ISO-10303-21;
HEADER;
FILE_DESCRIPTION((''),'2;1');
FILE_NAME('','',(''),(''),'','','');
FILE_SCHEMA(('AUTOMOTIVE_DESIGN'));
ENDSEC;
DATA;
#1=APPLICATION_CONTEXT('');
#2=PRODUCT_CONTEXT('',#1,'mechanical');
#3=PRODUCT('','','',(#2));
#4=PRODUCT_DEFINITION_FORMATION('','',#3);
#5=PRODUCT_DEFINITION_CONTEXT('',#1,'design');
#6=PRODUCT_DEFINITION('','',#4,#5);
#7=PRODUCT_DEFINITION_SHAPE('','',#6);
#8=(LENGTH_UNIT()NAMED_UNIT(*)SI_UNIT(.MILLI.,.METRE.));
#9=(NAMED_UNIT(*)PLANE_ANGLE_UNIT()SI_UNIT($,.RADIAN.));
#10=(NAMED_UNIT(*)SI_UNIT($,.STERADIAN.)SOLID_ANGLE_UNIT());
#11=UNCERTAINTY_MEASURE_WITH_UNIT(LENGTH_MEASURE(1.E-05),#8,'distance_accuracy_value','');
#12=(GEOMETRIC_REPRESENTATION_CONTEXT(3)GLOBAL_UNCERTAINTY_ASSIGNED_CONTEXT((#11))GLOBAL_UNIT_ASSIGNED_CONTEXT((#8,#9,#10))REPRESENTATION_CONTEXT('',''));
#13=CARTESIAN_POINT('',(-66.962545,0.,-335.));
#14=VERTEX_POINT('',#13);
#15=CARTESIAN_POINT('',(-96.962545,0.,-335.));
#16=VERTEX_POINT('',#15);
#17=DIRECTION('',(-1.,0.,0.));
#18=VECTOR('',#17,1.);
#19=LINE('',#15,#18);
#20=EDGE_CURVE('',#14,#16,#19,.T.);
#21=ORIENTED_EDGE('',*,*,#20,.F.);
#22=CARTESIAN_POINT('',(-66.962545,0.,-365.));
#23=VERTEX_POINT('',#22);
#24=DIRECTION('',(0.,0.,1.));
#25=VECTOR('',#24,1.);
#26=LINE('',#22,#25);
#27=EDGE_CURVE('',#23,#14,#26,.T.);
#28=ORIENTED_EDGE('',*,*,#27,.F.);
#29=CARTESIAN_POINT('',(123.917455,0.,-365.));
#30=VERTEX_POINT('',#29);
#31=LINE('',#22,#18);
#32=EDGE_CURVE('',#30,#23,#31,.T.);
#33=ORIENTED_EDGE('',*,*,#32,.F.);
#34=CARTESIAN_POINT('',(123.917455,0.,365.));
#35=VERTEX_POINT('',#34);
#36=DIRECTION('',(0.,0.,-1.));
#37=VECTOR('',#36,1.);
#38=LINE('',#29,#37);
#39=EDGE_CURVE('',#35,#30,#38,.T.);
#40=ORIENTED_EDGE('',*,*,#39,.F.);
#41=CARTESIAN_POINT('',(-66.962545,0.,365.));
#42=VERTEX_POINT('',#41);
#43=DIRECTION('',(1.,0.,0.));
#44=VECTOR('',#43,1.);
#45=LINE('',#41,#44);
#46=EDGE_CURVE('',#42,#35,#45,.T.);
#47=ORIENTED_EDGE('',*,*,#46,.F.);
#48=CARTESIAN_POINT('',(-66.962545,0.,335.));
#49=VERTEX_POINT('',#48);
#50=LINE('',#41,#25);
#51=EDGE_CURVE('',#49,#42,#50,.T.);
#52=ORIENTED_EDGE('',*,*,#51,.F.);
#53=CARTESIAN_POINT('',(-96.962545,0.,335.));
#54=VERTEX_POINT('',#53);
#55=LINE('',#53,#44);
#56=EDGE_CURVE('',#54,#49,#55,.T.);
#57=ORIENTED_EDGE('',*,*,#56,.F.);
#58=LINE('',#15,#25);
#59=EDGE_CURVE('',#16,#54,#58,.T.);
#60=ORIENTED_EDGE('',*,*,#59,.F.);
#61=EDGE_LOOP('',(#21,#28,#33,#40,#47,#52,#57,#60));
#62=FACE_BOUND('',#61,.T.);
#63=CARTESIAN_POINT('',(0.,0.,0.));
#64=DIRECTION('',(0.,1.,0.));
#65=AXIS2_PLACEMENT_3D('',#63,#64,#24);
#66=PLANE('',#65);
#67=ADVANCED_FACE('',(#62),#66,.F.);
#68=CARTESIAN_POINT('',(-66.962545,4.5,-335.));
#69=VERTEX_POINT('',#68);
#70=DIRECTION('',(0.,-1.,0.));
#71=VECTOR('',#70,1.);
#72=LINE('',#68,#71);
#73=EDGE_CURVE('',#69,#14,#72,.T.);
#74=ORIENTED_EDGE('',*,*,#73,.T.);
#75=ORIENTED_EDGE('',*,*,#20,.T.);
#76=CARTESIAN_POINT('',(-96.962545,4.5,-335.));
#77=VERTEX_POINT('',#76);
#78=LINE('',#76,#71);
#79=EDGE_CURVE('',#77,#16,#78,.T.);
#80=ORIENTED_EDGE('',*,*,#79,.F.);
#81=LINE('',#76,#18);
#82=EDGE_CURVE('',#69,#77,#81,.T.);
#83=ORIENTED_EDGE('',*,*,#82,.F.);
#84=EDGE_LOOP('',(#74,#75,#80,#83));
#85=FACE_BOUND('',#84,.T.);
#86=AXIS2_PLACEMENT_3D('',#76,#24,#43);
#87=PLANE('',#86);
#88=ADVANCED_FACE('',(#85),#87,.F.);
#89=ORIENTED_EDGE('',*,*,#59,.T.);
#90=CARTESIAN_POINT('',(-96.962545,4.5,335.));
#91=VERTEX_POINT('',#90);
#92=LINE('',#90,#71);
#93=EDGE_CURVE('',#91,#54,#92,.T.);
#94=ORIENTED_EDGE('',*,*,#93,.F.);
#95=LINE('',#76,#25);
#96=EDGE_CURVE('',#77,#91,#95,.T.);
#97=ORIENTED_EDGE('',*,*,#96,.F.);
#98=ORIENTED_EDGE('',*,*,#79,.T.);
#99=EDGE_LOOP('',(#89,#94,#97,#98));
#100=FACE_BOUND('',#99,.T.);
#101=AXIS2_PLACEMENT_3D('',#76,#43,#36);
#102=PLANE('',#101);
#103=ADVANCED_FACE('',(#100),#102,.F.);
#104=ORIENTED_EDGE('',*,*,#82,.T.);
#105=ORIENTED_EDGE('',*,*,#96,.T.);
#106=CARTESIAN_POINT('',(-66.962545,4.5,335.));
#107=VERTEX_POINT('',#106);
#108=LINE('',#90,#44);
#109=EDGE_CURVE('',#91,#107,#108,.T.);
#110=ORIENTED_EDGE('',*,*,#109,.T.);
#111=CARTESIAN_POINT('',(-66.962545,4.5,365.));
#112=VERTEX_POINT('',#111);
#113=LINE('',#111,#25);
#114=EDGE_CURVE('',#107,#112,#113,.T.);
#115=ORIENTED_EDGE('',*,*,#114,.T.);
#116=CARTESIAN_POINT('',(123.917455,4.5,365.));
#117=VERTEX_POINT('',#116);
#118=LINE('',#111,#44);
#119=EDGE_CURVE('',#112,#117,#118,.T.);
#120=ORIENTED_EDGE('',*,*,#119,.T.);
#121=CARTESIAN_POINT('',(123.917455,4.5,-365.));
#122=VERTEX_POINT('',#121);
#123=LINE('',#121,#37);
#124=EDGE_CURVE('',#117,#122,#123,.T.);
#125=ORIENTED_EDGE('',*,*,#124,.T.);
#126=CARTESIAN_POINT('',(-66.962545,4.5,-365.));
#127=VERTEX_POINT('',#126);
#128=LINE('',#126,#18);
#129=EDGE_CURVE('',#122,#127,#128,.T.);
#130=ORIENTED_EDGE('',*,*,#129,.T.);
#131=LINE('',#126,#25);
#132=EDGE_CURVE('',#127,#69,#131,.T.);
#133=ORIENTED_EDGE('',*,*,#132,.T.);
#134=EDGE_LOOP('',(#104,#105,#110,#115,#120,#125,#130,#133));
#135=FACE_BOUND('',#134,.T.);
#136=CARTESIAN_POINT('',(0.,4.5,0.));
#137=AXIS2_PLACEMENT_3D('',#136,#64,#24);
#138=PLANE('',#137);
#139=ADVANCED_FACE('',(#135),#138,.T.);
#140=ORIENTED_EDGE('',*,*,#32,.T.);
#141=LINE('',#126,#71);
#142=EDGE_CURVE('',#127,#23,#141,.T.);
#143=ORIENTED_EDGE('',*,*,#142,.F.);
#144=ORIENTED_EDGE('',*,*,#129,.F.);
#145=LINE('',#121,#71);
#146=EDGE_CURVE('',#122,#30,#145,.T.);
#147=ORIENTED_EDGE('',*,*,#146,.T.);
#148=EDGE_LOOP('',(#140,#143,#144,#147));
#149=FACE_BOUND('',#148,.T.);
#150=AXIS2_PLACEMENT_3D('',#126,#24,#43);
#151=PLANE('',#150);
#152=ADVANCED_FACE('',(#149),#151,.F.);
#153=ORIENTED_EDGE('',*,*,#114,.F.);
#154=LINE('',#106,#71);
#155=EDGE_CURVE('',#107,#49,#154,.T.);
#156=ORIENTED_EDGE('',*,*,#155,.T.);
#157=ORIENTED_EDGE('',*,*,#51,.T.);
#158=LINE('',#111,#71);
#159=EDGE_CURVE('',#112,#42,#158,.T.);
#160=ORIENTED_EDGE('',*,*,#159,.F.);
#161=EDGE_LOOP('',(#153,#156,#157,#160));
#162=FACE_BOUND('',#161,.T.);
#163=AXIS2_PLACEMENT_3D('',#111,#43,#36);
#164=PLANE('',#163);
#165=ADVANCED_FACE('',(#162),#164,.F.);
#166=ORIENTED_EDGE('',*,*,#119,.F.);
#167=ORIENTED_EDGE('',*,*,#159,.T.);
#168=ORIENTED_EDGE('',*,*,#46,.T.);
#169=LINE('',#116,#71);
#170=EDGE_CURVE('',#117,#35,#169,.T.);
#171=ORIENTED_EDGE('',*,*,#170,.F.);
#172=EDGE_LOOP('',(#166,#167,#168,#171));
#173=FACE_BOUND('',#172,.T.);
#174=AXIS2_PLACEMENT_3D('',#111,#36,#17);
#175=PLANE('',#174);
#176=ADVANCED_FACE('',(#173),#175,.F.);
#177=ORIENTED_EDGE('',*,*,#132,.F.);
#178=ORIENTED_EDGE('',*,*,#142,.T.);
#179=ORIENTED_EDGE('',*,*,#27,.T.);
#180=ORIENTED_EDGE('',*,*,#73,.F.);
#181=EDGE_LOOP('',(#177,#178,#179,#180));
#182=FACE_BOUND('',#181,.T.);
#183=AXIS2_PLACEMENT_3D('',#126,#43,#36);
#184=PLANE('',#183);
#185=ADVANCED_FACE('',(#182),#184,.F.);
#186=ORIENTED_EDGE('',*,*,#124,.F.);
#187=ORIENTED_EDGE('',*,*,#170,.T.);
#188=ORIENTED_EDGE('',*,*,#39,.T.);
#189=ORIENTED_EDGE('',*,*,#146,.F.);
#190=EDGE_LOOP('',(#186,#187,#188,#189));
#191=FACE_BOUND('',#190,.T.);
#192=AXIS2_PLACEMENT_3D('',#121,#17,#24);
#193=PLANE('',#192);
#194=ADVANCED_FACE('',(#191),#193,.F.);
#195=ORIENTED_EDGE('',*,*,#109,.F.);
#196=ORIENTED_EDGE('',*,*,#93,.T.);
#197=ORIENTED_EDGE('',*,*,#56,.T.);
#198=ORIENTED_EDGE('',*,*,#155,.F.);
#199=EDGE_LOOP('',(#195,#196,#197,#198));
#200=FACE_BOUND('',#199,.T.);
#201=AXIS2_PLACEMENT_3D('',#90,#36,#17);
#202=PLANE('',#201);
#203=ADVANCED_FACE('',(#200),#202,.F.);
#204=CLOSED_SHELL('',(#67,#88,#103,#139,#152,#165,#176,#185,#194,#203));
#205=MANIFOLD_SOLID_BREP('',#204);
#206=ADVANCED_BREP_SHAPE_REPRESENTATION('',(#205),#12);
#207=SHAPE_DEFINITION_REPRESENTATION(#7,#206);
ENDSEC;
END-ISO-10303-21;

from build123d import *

# Parameters (mm, degrees)
BOSS_EXTRUDE1_DEPTH = 4.5


with BuildPart() as part:
    # Sketch1 → Boss-Extrude1 (new body)
    with BuildSketch(Plane(origin=(0, 0, 0), x_dir=(1, 0, 0), z_dir=(0, 1, 0))):
        Polygon((-66.962544804, 365), (123.917455196, 365), (123.917455196, -365), (-66.962544804, -365), (-66.962544804, -335), (-96.962544804, -335), (-96.962544804, 335), (-66.962544804, 335), align=None)
    extrude(amount=BOSS_EXTRUDE1_DEPTH)


solid = part.part
